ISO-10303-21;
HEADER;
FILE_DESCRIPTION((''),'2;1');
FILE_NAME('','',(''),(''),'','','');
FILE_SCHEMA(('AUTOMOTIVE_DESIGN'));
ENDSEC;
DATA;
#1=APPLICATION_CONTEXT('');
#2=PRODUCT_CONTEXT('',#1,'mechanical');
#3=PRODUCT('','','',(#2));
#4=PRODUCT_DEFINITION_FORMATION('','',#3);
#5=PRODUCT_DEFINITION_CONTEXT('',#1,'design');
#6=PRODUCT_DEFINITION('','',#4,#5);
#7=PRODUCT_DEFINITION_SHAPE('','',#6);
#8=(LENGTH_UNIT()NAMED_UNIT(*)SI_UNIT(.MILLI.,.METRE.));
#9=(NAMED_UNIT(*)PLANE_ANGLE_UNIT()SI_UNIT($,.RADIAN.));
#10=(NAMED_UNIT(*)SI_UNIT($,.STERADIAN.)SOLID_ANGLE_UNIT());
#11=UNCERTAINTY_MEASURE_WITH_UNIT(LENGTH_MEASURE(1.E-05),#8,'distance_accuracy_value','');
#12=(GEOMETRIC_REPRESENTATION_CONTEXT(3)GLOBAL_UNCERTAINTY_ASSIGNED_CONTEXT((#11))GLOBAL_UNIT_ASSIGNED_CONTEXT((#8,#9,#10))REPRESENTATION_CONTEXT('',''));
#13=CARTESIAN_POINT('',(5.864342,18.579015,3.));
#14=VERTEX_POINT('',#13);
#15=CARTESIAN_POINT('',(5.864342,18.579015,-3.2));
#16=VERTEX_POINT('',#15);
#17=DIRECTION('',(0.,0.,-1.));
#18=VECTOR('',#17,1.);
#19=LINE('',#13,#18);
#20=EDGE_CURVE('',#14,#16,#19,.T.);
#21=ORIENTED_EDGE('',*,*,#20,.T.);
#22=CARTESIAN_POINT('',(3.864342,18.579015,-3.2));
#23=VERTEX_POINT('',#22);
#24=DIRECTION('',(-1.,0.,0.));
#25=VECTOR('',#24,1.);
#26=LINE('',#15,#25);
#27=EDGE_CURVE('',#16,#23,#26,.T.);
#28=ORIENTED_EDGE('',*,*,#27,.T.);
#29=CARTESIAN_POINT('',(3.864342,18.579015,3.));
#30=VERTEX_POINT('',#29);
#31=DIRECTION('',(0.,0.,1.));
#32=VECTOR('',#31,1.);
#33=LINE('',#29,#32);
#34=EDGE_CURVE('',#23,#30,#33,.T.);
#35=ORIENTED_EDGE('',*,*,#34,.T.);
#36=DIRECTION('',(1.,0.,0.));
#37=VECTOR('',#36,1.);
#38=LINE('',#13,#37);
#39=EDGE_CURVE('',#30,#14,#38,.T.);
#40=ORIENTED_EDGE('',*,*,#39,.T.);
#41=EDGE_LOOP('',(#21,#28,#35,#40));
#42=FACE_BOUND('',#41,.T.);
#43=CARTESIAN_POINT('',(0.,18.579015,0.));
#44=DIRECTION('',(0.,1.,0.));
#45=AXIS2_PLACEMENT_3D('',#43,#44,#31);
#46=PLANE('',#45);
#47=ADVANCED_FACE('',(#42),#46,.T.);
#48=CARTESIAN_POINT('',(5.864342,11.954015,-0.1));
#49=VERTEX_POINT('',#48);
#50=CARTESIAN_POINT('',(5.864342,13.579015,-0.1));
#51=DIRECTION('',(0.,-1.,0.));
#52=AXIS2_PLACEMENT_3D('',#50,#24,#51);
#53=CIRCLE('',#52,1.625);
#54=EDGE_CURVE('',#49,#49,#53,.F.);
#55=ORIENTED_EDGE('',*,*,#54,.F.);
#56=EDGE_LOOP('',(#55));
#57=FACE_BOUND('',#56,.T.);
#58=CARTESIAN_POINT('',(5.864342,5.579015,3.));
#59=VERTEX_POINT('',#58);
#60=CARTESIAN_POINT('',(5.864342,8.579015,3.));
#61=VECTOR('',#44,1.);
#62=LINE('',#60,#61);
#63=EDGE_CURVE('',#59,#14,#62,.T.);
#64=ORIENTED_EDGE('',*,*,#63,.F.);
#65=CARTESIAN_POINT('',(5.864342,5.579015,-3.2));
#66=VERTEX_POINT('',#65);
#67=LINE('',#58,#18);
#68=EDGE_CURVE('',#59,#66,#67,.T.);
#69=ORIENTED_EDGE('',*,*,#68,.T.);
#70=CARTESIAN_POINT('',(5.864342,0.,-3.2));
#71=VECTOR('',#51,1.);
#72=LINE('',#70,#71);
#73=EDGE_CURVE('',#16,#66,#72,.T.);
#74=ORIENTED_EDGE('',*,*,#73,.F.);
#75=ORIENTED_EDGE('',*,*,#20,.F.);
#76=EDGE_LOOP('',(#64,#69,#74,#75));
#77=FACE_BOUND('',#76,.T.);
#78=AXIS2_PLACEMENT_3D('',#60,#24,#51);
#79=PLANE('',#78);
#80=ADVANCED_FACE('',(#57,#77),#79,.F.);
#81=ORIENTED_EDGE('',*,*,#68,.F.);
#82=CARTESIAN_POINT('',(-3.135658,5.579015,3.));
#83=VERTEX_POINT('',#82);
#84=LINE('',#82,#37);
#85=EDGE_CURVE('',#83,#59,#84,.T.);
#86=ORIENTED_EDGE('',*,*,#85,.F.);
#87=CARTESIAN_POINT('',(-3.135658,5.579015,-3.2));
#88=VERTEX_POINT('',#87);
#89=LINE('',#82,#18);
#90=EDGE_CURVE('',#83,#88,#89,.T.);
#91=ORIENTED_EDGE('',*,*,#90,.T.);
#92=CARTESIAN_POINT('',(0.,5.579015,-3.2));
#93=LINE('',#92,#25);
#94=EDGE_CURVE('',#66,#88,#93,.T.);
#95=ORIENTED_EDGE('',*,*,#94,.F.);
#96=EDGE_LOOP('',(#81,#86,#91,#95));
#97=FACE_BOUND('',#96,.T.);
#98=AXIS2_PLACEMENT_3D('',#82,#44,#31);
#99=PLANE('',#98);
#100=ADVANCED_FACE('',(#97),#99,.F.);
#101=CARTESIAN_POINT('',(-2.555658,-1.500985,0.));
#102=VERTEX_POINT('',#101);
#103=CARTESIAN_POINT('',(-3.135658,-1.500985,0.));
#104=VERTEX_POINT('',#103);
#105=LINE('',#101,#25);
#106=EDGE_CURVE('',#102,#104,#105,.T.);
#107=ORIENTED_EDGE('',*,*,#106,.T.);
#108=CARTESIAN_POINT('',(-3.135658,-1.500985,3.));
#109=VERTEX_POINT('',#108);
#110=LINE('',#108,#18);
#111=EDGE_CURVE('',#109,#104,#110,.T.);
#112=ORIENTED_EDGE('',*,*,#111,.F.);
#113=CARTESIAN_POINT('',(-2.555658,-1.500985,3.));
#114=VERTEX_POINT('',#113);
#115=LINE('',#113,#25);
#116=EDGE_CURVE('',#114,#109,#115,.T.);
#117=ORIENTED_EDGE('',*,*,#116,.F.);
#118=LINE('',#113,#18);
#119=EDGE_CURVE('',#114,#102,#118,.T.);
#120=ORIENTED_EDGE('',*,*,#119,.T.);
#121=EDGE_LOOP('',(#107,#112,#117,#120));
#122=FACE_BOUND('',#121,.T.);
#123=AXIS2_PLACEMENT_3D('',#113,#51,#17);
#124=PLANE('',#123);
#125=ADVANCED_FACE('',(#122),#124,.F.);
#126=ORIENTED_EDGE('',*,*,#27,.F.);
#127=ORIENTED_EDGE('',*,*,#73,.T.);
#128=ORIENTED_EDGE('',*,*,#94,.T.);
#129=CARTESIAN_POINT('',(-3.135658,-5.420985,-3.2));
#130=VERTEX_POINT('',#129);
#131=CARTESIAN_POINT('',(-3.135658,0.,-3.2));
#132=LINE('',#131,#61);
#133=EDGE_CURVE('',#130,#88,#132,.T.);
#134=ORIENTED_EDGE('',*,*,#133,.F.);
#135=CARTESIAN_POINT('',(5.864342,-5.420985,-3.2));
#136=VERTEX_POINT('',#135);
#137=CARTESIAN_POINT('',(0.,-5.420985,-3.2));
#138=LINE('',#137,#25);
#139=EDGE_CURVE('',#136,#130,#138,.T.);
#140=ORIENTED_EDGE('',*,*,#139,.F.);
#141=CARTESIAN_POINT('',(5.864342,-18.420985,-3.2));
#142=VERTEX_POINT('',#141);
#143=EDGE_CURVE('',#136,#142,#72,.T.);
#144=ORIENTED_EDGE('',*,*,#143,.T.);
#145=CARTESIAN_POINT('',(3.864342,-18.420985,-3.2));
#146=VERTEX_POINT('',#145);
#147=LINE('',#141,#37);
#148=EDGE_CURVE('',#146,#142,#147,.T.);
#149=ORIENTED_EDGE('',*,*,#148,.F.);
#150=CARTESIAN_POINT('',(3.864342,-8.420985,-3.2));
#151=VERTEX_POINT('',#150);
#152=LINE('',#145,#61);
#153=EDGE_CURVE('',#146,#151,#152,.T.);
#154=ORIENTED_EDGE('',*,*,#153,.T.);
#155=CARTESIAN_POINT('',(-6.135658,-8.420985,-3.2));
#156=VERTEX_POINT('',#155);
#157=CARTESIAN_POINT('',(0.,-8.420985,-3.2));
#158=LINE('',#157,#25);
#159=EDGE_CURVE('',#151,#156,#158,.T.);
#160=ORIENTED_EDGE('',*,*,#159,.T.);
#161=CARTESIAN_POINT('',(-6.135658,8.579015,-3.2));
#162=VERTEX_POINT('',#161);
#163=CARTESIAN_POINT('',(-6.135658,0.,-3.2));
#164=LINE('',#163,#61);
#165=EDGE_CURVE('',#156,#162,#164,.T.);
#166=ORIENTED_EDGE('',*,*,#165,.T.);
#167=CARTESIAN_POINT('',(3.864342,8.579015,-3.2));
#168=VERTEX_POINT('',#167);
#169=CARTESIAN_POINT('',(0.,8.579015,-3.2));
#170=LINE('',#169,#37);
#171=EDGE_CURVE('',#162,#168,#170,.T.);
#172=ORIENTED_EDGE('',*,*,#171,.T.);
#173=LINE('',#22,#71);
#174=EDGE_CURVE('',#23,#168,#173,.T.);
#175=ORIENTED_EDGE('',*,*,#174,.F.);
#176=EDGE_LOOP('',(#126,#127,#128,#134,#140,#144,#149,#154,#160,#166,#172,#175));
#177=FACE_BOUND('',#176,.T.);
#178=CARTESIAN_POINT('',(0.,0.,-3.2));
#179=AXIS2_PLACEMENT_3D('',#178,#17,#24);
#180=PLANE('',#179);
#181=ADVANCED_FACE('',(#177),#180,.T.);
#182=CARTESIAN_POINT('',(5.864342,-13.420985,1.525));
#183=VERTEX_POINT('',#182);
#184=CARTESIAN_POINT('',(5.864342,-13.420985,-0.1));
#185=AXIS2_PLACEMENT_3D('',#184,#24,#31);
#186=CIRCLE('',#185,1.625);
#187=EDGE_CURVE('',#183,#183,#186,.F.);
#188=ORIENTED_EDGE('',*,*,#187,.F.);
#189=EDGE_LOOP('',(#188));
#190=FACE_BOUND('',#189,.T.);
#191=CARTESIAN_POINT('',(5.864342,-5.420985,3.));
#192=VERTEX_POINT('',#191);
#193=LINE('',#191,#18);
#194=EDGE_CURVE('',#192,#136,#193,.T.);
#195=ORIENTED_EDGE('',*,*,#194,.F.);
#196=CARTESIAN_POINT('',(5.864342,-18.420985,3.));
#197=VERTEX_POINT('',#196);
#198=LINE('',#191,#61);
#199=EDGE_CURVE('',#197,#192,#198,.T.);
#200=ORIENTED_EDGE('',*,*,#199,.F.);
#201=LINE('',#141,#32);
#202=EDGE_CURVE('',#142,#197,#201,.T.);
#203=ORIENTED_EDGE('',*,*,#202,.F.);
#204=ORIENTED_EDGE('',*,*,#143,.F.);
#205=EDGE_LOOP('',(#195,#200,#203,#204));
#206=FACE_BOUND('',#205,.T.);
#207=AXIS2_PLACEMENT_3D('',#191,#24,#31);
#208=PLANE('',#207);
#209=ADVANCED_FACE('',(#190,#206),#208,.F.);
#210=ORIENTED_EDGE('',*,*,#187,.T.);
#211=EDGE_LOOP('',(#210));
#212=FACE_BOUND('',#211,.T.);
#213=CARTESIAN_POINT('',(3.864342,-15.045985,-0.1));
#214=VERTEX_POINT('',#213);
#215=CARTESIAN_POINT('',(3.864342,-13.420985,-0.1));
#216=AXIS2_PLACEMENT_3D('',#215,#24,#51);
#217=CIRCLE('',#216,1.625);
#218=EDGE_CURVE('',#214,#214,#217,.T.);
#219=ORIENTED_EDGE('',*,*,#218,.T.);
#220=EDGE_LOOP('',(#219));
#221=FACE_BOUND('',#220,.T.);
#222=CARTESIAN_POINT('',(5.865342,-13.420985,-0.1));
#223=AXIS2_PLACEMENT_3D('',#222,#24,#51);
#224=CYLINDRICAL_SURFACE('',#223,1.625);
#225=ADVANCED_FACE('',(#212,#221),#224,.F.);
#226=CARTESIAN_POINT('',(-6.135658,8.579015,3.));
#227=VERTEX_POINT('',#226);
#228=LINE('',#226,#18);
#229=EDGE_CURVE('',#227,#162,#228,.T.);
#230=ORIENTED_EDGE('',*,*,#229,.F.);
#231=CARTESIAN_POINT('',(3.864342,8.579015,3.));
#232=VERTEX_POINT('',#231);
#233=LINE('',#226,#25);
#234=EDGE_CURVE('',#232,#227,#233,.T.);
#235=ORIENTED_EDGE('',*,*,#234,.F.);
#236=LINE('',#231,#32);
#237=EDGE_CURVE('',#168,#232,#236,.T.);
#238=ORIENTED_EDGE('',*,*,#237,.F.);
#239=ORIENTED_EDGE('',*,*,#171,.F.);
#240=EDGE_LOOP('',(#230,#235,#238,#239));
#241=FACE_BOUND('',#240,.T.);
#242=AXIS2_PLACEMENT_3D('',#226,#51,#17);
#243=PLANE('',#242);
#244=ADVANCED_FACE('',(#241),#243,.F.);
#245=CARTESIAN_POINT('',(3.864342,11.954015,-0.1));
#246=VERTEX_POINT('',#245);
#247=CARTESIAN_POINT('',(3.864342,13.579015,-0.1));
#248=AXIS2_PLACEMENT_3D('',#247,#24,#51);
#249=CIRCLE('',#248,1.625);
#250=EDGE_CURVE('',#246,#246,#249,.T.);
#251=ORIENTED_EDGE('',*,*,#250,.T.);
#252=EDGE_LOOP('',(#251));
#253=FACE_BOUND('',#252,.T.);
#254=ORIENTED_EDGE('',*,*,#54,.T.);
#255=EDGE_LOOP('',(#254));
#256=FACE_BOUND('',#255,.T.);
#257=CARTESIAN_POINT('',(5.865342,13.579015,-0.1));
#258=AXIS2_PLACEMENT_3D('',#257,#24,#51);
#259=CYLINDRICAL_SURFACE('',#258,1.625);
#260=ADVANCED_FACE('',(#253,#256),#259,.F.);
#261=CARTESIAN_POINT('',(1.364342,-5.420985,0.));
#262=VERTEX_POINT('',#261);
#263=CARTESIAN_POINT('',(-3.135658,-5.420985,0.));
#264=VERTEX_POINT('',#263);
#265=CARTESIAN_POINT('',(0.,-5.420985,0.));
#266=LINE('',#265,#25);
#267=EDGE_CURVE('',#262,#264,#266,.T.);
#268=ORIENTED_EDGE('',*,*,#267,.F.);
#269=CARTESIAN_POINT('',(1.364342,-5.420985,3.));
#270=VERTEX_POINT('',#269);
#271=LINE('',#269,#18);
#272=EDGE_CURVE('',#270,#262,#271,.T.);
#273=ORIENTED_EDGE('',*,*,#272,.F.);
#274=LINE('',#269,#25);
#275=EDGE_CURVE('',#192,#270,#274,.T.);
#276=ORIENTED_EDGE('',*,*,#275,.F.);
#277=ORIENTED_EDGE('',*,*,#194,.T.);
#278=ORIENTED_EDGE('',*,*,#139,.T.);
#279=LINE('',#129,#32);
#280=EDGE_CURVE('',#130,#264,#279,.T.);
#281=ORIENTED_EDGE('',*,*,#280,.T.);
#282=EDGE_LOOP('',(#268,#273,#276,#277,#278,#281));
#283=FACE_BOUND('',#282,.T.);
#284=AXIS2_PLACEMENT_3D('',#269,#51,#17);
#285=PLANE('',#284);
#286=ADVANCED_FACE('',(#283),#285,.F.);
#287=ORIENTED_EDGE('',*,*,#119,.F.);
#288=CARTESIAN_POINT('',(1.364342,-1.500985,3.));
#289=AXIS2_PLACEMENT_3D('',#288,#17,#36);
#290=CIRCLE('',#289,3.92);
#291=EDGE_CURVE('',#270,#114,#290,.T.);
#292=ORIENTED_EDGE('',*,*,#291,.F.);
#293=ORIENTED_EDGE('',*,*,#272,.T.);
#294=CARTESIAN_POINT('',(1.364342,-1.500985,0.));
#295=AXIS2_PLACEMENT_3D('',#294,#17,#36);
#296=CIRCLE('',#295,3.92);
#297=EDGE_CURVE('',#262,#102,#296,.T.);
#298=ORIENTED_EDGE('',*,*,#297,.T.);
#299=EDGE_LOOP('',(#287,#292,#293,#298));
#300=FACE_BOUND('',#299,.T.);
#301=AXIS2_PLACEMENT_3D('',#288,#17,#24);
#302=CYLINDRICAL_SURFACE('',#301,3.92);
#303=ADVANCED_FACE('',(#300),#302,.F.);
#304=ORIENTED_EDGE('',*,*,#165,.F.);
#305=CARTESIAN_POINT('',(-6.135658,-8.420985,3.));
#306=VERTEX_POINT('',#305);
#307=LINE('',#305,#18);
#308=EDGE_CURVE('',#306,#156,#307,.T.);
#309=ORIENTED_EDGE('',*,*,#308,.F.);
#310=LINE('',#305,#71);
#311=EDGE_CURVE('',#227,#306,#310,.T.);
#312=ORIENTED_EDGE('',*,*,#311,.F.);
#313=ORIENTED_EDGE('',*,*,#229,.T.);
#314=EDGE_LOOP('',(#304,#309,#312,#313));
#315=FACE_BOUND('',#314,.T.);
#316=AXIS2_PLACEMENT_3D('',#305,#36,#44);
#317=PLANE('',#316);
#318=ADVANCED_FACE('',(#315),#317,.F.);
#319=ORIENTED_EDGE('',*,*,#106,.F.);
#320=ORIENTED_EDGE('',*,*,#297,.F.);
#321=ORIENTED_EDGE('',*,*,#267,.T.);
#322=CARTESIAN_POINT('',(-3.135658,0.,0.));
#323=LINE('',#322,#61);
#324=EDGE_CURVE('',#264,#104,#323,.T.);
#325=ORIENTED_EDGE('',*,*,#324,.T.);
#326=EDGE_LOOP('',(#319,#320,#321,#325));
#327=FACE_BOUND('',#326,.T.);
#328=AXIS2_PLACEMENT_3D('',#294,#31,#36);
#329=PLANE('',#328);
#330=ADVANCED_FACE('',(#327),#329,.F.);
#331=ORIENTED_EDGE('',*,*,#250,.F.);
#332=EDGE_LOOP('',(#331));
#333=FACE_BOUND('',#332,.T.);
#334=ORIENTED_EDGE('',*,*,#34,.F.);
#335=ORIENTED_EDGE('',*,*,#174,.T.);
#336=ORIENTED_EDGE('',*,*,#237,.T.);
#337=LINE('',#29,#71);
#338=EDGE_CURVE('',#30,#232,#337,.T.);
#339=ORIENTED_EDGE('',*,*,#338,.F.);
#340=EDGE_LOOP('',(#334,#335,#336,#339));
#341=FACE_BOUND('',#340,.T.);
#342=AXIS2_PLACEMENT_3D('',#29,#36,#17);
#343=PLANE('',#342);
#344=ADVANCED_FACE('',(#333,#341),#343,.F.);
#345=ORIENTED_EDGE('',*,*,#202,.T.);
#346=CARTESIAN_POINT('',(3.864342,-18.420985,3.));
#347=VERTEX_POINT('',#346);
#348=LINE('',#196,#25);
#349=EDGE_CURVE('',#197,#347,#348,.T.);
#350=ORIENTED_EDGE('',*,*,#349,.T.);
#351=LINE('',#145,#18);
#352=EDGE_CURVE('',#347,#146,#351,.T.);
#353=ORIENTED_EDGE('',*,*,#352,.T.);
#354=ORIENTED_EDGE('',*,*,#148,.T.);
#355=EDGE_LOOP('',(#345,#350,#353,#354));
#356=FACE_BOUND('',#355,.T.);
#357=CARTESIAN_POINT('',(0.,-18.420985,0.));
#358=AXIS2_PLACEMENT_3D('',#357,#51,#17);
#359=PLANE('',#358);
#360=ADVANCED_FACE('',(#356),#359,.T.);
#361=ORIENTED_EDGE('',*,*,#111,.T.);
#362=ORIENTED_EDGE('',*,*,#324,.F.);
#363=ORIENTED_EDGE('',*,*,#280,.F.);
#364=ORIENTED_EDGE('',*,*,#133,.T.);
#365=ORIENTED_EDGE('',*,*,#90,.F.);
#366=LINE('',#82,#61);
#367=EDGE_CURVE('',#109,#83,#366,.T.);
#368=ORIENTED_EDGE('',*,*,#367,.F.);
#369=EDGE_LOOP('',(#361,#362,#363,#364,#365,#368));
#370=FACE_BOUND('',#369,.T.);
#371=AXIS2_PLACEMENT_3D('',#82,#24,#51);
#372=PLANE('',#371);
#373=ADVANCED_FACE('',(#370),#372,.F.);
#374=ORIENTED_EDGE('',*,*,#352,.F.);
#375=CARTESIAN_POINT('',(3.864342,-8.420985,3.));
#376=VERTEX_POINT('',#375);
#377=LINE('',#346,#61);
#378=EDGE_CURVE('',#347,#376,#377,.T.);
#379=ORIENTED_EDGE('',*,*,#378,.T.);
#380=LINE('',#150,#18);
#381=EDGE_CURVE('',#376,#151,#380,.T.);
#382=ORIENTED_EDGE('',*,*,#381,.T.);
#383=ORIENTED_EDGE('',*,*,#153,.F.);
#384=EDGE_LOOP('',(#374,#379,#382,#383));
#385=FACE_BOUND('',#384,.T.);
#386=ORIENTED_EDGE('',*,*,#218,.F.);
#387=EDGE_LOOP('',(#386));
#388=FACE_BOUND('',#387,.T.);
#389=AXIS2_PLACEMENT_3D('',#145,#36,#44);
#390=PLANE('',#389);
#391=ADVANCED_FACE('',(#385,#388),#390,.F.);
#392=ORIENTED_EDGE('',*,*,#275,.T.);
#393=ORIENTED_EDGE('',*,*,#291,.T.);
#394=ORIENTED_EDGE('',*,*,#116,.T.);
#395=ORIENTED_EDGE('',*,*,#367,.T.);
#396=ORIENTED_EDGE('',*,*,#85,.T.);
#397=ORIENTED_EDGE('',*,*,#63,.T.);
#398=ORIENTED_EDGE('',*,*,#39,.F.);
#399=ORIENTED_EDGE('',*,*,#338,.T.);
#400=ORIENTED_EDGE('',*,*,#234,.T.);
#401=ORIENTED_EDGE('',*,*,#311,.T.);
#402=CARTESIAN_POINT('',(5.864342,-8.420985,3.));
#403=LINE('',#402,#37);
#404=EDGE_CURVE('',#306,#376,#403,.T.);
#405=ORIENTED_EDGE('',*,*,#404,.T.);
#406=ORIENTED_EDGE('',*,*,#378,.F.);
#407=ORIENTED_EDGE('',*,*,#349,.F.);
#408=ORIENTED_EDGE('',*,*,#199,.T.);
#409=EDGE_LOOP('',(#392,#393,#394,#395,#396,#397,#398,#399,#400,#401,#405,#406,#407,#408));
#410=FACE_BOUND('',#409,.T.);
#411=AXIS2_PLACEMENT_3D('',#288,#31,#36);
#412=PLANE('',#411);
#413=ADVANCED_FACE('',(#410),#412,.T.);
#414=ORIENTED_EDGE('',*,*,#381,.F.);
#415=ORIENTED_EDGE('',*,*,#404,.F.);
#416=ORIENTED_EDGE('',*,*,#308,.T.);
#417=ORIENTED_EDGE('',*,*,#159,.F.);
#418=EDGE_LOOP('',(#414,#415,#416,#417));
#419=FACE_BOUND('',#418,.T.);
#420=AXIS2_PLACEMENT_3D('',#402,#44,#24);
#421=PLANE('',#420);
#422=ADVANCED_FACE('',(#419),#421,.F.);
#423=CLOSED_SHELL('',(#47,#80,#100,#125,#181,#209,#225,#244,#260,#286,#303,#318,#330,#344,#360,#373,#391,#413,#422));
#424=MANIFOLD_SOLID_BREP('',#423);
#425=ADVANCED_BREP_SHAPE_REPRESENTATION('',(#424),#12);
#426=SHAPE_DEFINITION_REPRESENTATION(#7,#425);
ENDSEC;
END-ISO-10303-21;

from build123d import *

# Parameters (mm, degrees)
EXTRUDE_1_DEPTH     = 3
EXTRUDE_5_DEPTH     = 3.2
SKETCH_6_W          = 2
SKETCH_6_H          = 6.2
EXTRUDE_6_DEPTH     = 10
SKETCH_7_W          = 2
SKETCH_7_H          = 6.2
EXTRUDE_7_DEPTH     = 10
CUT_EXTRUDE_1_REACH = 23.341
SKETCH_8_R          = 1.625


with BuildPart() as part:
    # 草圖1 → 填料-伸長1 (new body)
    with BuildSketch(Plane.XY):
        with BuildLine():
            Line((5.864342343, -5.42098501), (5.864342343, -8.42098501))
            Line((5.864342343, -8.42098501), (-6.135657657, -8.42098501))
            Line((-6.135657657, -8.42098501), (-6.135657657, 8.57901499))
            Line((-6.135657657, 8.57901499), (5.864342343, 8.57901499))
            Line((5.864342343, 8.57901499), (5.864342343, 5.57901499))
            Line((5.864342343, 5.57901499), (-3.135657657, 5.57901499))
            Line((-3.135657657, 5.57901499), (-3.135657657, -1.50098501))
            Line((-3.135657657, -1.50098501), (-2.555657657, -1.50098501))
            ThreePointArc((-2.555657657, -1.50098501), (-1.407516239, -4.272843593), (1.364342343, -5.42098501))
            Line((1.364342343, -5.42098501), (5.864342343, -5.42098501))
        make_face()
    extrude(amount=EXTRUDE_1_DEPTH)

    # 草圖5 → 填料-伸長5 (add)
    with BuildSketch(Plane(origin=(0, 0, 0), x_dir=(-1, 0, 0), z_dir=(0, 0, -1))):
        Polygon((3.135657657, 5.57901499), (-5.864342343, 5.57901499), (-5.864342343, 8.57901499), (6.135657657, 8.57901499), (6.135657657, -8.42098501), (-5.864342343, -8.42098501), (-5.864342343, -5.42098501), (3.135657657, -5.42098501), align=None)
    extrude(amount=EXTRUDE_5_DEPTH)

    # 草圖6 → 填料-伸長6 (add)
    with BuildSketch(Plane(origin=(0, 8.57901499, 0), x_dir=(1, 0, 0), z_dir=(0, 1, 0))):
        with Locations((4.864342343, 0.1)):
            Rectangle(SKETCH_6_W, SKETCH_6_H)
    extrude(amount=EXTRUDE_6_DEPTH)

    # 草圖7 → 填料-伸長7 (add)
    with BuildSketch(Plane.XZ.offset(8.42098501)):
        with Locations((4.864342343, -0.1)):
            Rectangle(SKETCH_7_W, SKETCH_7_H)
    extrude(amount=EXTRUDE_7_DEPTH)

    # 草圖8 → 除料-伸長1 (cut, up to next)
    with BuildSketch(Plane.ZY.offset(-3.864342343), mode=Mode.PRIVATE) as cut_extrude_1_sk1:
        with Locations(Location((-0.1, -13.42098501, 0), (0, 0, 270))):
            Circle(SKETCH_8_R)
    cut_extrude_1_tool1 = extrude(cut_extrude_1_sk1.sketch, amount=-CUT_EXTRUDE_1_REACH, mode=Mode.PRIVATE) & part.part
    # 草圖8 → 除料-伸長1 (cut, up to next)
    with BuildSketch(Plane.ZY.offset(-3.864342343), mode=Mode.PRIVATE) as cut_extrude_1_sk2:
        with Locations(Location((-0.1, 13.57901499, 0), (0, 0, 270))):
            Circle(SKETCH_8_R)
    cut_extrude_1_tool2 = extrude(cut_extrude_1_sk2.sketch, amount=-CUT_EXTRUDE_1_REACH, mode=Mode.PRIVATE) & part.part
    add(cut_extrude_1_tool1.solids().sort_by_distance((3.864342, -13.420985, -0.1))[0], mode=Mode.SUBTRACT)
    add(cut_extrude_1_tool2.solids().sort_by_distance((3.864342, 13.579015, -0.1))[0], mode=Mode.SUBTRACT)


solid = part.part
